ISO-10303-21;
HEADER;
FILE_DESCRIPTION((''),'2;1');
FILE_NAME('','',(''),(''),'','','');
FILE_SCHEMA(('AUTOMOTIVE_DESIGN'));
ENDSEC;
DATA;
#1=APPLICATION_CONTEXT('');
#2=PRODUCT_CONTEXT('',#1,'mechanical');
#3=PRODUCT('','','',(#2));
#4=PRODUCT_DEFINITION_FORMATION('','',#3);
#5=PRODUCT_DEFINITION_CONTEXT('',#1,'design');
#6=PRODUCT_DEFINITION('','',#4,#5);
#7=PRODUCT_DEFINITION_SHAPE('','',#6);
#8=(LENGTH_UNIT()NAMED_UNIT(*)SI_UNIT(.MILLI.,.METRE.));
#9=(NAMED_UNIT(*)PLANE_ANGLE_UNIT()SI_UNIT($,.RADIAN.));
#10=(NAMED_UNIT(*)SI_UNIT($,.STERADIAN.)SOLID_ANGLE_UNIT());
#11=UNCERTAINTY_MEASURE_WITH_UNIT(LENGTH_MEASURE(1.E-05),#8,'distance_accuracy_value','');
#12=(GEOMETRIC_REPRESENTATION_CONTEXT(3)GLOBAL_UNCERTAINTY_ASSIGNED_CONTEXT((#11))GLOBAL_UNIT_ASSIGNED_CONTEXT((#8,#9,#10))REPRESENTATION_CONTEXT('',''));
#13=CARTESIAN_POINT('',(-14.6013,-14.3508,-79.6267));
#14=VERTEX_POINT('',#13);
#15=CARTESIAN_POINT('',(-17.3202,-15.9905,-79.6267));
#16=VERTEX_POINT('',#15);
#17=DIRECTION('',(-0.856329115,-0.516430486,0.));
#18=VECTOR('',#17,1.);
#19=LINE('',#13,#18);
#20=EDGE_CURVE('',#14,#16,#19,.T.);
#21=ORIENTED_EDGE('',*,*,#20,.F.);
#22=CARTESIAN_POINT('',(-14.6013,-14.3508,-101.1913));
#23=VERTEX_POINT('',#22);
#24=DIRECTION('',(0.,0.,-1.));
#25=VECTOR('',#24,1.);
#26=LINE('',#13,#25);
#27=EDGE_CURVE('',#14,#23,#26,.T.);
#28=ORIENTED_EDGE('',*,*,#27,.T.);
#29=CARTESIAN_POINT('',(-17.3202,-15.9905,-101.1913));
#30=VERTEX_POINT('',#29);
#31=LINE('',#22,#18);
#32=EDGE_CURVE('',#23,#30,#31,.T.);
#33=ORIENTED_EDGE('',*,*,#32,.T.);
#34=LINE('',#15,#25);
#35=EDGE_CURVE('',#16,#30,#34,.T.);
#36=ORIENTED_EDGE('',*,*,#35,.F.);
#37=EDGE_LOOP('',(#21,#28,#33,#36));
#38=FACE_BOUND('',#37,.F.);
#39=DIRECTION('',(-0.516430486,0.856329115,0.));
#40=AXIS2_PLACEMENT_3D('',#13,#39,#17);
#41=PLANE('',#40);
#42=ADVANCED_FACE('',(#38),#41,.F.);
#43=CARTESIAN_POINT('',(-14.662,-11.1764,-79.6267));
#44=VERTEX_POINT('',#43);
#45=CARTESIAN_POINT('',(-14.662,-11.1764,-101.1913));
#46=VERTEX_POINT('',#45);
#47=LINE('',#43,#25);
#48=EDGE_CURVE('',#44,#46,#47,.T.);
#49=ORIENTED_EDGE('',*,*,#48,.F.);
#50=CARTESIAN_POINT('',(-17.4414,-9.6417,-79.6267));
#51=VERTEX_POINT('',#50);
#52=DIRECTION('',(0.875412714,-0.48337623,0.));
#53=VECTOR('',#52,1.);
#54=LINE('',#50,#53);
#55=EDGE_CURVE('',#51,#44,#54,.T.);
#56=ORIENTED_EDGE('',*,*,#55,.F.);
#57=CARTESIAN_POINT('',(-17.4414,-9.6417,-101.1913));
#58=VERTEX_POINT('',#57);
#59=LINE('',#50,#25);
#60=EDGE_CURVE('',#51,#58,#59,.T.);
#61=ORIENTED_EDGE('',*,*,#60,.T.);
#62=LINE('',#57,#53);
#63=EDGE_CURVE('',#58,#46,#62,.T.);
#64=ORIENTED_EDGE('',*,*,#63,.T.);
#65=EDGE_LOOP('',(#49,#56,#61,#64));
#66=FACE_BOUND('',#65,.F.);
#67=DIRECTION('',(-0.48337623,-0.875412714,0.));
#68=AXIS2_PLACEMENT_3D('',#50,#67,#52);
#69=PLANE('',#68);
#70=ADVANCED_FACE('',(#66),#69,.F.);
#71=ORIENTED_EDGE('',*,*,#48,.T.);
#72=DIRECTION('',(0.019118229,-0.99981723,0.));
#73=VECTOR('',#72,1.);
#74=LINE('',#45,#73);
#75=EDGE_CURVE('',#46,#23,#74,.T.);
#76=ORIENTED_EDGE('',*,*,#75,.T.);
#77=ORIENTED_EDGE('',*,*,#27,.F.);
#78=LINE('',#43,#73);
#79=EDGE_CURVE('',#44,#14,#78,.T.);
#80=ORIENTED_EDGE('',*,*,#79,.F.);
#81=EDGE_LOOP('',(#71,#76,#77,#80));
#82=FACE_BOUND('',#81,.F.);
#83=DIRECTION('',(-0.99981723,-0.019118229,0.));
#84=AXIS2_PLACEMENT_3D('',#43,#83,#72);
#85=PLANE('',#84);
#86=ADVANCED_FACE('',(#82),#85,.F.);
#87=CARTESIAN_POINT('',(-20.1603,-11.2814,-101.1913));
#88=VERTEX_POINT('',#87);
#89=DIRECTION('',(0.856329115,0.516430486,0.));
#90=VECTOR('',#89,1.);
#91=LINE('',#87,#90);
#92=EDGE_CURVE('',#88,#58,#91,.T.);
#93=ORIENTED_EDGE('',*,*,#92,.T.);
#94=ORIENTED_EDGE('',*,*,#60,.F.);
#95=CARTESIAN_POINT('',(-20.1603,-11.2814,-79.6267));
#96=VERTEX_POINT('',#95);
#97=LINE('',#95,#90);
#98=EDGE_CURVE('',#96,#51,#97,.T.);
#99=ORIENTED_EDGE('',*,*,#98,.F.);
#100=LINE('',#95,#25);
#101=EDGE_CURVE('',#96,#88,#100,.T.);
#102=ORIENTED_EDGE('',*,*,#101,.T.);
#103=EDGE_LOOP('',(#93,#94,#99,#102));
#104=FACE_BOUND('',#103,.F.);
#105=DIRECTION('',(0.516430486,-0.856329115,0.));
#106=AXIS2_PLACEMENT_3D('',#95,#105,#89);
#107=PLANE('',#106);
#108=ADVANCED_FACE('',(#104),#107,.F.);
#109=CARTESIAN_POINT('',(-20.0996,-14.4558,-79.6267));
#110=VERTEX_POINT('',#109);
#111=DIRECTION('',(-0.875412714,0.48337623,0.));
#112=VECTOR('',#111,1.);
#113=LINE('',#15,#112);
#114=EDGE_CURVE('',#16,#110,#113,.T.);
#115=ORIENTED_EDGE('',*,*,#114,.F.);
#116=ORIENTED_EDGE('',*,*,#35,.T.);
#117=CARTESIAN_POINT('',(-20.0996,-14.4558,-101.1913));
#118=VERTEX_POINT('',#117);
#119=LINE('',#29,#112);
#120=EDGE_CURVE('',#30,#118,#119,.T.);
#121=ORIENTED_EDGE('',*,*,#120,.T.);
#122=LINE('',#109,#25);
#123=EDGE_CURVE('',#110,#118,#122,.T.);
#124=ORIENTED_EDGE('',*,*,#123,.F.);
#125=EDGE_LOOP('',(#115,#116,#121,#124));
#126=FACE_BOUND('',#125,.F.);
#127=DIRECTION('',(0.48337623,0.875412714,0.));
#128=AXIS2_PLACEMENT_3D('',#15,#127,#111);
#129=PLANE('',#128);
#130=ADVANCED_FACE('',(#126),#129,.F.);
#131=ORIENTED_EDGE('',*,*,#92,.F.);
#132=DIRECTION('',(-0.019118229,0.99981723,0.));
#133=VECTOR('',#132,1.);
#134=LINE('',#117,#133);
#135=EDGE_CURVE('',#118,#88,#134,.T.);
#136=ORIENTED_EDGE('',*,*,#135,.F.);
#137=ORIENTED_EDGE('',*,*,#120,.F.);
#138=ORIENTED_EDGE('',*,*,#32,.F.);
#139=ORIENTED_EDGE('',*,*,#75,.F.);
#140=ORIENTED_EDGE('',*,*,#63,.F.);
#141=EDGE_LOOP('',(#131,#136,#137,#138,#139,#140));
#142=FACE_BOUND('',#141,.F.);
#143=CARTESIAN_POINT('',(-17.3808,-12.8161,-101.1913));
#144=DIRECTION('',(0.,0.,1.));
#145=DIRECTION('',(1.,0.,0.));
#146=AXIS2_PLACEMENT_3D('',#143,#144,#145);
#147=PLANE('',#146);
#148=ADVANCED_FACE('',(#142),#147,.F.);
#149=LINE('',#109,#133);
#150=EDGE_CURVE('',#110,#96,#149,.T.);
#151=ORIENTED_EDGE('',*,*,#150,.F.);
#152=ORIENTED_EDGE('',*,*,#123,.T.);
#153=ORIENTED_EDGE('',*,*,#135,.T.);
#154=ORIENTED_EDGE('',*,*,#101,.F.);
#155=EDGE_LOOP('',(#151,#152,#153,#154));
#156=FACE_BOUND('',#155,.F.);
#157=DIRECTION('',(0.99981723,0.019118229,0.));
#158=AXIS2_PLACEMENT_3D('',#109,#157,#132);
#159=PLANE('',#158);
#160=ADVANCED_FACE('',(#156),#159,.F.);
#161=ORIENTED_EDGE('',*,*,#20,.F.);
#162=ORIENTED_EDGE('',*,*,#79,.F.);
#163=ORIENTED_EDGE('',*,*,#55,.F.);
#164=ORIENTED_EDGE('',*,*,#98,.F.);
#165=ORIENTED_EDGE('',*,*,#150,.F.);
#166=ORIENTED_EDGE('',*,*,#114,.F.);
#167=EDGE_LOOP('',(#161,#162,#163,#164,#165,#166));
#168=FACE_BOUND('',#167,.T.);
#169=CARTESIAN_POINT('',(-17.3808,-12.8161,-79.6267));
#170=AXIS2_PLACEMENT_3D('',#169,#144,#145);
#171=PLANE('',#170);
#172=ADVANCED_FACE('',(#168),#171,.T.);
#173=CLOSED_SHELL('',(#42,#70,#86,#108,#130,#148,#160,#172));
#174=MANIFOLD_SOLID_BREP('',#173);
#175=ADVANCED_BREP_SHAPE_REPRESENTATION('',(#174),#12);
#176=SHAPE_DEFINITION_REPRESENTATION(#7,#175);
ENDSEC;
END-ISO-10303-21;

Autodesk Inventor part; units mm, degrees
ref_plane "XZ Plane" through (0, 0, 0) normal (0, 1, 0) x (-1, 0, 0)
ref_plane "Work Plane1" through (-17.3808, -12.8161, -79.6267) normal (0, 0, 1) x (1, 0, 0)
sketch "Sketch2" plane through (-17.3808, -12.8161, -79.6267) normal (0, 0, 1) x (1, 0, 0)
  circle A0 centre (0, 0) radius 3.175 projected
  line L0 (2.7795, -1.5347) -> (0.0606, -3.1744)
  line L1 (0.0606, -3.1744) -> (-2.7188, -1.6397)
  line L2 (-2.7188, -1.6397) -> (-2.7795, 1.5347)
  line L3 (-2.7795, 1.5347) -> (-0.0606, 3.1744)
  line L4 (-0.0606, 3.1744) -> (2.7188, 1.6397)
  line L5 (2.7188, 1.6397) -> (2.7795, -1.5347)
  point P0 (17.3808, 12.8161)
ref_plane "Work Plane2" through (-16.1743, -15.6151, -101.1913) normal (0, 0, -1) x (0, 1, 0)
extrude "Extrusion1" add sketch "Sketch2" against normal up to surface (21.5646 mm away) contours L5 L0 L1 L2 L3 L4
properties part number "ArmSolenoidShaftBoundingBox"
